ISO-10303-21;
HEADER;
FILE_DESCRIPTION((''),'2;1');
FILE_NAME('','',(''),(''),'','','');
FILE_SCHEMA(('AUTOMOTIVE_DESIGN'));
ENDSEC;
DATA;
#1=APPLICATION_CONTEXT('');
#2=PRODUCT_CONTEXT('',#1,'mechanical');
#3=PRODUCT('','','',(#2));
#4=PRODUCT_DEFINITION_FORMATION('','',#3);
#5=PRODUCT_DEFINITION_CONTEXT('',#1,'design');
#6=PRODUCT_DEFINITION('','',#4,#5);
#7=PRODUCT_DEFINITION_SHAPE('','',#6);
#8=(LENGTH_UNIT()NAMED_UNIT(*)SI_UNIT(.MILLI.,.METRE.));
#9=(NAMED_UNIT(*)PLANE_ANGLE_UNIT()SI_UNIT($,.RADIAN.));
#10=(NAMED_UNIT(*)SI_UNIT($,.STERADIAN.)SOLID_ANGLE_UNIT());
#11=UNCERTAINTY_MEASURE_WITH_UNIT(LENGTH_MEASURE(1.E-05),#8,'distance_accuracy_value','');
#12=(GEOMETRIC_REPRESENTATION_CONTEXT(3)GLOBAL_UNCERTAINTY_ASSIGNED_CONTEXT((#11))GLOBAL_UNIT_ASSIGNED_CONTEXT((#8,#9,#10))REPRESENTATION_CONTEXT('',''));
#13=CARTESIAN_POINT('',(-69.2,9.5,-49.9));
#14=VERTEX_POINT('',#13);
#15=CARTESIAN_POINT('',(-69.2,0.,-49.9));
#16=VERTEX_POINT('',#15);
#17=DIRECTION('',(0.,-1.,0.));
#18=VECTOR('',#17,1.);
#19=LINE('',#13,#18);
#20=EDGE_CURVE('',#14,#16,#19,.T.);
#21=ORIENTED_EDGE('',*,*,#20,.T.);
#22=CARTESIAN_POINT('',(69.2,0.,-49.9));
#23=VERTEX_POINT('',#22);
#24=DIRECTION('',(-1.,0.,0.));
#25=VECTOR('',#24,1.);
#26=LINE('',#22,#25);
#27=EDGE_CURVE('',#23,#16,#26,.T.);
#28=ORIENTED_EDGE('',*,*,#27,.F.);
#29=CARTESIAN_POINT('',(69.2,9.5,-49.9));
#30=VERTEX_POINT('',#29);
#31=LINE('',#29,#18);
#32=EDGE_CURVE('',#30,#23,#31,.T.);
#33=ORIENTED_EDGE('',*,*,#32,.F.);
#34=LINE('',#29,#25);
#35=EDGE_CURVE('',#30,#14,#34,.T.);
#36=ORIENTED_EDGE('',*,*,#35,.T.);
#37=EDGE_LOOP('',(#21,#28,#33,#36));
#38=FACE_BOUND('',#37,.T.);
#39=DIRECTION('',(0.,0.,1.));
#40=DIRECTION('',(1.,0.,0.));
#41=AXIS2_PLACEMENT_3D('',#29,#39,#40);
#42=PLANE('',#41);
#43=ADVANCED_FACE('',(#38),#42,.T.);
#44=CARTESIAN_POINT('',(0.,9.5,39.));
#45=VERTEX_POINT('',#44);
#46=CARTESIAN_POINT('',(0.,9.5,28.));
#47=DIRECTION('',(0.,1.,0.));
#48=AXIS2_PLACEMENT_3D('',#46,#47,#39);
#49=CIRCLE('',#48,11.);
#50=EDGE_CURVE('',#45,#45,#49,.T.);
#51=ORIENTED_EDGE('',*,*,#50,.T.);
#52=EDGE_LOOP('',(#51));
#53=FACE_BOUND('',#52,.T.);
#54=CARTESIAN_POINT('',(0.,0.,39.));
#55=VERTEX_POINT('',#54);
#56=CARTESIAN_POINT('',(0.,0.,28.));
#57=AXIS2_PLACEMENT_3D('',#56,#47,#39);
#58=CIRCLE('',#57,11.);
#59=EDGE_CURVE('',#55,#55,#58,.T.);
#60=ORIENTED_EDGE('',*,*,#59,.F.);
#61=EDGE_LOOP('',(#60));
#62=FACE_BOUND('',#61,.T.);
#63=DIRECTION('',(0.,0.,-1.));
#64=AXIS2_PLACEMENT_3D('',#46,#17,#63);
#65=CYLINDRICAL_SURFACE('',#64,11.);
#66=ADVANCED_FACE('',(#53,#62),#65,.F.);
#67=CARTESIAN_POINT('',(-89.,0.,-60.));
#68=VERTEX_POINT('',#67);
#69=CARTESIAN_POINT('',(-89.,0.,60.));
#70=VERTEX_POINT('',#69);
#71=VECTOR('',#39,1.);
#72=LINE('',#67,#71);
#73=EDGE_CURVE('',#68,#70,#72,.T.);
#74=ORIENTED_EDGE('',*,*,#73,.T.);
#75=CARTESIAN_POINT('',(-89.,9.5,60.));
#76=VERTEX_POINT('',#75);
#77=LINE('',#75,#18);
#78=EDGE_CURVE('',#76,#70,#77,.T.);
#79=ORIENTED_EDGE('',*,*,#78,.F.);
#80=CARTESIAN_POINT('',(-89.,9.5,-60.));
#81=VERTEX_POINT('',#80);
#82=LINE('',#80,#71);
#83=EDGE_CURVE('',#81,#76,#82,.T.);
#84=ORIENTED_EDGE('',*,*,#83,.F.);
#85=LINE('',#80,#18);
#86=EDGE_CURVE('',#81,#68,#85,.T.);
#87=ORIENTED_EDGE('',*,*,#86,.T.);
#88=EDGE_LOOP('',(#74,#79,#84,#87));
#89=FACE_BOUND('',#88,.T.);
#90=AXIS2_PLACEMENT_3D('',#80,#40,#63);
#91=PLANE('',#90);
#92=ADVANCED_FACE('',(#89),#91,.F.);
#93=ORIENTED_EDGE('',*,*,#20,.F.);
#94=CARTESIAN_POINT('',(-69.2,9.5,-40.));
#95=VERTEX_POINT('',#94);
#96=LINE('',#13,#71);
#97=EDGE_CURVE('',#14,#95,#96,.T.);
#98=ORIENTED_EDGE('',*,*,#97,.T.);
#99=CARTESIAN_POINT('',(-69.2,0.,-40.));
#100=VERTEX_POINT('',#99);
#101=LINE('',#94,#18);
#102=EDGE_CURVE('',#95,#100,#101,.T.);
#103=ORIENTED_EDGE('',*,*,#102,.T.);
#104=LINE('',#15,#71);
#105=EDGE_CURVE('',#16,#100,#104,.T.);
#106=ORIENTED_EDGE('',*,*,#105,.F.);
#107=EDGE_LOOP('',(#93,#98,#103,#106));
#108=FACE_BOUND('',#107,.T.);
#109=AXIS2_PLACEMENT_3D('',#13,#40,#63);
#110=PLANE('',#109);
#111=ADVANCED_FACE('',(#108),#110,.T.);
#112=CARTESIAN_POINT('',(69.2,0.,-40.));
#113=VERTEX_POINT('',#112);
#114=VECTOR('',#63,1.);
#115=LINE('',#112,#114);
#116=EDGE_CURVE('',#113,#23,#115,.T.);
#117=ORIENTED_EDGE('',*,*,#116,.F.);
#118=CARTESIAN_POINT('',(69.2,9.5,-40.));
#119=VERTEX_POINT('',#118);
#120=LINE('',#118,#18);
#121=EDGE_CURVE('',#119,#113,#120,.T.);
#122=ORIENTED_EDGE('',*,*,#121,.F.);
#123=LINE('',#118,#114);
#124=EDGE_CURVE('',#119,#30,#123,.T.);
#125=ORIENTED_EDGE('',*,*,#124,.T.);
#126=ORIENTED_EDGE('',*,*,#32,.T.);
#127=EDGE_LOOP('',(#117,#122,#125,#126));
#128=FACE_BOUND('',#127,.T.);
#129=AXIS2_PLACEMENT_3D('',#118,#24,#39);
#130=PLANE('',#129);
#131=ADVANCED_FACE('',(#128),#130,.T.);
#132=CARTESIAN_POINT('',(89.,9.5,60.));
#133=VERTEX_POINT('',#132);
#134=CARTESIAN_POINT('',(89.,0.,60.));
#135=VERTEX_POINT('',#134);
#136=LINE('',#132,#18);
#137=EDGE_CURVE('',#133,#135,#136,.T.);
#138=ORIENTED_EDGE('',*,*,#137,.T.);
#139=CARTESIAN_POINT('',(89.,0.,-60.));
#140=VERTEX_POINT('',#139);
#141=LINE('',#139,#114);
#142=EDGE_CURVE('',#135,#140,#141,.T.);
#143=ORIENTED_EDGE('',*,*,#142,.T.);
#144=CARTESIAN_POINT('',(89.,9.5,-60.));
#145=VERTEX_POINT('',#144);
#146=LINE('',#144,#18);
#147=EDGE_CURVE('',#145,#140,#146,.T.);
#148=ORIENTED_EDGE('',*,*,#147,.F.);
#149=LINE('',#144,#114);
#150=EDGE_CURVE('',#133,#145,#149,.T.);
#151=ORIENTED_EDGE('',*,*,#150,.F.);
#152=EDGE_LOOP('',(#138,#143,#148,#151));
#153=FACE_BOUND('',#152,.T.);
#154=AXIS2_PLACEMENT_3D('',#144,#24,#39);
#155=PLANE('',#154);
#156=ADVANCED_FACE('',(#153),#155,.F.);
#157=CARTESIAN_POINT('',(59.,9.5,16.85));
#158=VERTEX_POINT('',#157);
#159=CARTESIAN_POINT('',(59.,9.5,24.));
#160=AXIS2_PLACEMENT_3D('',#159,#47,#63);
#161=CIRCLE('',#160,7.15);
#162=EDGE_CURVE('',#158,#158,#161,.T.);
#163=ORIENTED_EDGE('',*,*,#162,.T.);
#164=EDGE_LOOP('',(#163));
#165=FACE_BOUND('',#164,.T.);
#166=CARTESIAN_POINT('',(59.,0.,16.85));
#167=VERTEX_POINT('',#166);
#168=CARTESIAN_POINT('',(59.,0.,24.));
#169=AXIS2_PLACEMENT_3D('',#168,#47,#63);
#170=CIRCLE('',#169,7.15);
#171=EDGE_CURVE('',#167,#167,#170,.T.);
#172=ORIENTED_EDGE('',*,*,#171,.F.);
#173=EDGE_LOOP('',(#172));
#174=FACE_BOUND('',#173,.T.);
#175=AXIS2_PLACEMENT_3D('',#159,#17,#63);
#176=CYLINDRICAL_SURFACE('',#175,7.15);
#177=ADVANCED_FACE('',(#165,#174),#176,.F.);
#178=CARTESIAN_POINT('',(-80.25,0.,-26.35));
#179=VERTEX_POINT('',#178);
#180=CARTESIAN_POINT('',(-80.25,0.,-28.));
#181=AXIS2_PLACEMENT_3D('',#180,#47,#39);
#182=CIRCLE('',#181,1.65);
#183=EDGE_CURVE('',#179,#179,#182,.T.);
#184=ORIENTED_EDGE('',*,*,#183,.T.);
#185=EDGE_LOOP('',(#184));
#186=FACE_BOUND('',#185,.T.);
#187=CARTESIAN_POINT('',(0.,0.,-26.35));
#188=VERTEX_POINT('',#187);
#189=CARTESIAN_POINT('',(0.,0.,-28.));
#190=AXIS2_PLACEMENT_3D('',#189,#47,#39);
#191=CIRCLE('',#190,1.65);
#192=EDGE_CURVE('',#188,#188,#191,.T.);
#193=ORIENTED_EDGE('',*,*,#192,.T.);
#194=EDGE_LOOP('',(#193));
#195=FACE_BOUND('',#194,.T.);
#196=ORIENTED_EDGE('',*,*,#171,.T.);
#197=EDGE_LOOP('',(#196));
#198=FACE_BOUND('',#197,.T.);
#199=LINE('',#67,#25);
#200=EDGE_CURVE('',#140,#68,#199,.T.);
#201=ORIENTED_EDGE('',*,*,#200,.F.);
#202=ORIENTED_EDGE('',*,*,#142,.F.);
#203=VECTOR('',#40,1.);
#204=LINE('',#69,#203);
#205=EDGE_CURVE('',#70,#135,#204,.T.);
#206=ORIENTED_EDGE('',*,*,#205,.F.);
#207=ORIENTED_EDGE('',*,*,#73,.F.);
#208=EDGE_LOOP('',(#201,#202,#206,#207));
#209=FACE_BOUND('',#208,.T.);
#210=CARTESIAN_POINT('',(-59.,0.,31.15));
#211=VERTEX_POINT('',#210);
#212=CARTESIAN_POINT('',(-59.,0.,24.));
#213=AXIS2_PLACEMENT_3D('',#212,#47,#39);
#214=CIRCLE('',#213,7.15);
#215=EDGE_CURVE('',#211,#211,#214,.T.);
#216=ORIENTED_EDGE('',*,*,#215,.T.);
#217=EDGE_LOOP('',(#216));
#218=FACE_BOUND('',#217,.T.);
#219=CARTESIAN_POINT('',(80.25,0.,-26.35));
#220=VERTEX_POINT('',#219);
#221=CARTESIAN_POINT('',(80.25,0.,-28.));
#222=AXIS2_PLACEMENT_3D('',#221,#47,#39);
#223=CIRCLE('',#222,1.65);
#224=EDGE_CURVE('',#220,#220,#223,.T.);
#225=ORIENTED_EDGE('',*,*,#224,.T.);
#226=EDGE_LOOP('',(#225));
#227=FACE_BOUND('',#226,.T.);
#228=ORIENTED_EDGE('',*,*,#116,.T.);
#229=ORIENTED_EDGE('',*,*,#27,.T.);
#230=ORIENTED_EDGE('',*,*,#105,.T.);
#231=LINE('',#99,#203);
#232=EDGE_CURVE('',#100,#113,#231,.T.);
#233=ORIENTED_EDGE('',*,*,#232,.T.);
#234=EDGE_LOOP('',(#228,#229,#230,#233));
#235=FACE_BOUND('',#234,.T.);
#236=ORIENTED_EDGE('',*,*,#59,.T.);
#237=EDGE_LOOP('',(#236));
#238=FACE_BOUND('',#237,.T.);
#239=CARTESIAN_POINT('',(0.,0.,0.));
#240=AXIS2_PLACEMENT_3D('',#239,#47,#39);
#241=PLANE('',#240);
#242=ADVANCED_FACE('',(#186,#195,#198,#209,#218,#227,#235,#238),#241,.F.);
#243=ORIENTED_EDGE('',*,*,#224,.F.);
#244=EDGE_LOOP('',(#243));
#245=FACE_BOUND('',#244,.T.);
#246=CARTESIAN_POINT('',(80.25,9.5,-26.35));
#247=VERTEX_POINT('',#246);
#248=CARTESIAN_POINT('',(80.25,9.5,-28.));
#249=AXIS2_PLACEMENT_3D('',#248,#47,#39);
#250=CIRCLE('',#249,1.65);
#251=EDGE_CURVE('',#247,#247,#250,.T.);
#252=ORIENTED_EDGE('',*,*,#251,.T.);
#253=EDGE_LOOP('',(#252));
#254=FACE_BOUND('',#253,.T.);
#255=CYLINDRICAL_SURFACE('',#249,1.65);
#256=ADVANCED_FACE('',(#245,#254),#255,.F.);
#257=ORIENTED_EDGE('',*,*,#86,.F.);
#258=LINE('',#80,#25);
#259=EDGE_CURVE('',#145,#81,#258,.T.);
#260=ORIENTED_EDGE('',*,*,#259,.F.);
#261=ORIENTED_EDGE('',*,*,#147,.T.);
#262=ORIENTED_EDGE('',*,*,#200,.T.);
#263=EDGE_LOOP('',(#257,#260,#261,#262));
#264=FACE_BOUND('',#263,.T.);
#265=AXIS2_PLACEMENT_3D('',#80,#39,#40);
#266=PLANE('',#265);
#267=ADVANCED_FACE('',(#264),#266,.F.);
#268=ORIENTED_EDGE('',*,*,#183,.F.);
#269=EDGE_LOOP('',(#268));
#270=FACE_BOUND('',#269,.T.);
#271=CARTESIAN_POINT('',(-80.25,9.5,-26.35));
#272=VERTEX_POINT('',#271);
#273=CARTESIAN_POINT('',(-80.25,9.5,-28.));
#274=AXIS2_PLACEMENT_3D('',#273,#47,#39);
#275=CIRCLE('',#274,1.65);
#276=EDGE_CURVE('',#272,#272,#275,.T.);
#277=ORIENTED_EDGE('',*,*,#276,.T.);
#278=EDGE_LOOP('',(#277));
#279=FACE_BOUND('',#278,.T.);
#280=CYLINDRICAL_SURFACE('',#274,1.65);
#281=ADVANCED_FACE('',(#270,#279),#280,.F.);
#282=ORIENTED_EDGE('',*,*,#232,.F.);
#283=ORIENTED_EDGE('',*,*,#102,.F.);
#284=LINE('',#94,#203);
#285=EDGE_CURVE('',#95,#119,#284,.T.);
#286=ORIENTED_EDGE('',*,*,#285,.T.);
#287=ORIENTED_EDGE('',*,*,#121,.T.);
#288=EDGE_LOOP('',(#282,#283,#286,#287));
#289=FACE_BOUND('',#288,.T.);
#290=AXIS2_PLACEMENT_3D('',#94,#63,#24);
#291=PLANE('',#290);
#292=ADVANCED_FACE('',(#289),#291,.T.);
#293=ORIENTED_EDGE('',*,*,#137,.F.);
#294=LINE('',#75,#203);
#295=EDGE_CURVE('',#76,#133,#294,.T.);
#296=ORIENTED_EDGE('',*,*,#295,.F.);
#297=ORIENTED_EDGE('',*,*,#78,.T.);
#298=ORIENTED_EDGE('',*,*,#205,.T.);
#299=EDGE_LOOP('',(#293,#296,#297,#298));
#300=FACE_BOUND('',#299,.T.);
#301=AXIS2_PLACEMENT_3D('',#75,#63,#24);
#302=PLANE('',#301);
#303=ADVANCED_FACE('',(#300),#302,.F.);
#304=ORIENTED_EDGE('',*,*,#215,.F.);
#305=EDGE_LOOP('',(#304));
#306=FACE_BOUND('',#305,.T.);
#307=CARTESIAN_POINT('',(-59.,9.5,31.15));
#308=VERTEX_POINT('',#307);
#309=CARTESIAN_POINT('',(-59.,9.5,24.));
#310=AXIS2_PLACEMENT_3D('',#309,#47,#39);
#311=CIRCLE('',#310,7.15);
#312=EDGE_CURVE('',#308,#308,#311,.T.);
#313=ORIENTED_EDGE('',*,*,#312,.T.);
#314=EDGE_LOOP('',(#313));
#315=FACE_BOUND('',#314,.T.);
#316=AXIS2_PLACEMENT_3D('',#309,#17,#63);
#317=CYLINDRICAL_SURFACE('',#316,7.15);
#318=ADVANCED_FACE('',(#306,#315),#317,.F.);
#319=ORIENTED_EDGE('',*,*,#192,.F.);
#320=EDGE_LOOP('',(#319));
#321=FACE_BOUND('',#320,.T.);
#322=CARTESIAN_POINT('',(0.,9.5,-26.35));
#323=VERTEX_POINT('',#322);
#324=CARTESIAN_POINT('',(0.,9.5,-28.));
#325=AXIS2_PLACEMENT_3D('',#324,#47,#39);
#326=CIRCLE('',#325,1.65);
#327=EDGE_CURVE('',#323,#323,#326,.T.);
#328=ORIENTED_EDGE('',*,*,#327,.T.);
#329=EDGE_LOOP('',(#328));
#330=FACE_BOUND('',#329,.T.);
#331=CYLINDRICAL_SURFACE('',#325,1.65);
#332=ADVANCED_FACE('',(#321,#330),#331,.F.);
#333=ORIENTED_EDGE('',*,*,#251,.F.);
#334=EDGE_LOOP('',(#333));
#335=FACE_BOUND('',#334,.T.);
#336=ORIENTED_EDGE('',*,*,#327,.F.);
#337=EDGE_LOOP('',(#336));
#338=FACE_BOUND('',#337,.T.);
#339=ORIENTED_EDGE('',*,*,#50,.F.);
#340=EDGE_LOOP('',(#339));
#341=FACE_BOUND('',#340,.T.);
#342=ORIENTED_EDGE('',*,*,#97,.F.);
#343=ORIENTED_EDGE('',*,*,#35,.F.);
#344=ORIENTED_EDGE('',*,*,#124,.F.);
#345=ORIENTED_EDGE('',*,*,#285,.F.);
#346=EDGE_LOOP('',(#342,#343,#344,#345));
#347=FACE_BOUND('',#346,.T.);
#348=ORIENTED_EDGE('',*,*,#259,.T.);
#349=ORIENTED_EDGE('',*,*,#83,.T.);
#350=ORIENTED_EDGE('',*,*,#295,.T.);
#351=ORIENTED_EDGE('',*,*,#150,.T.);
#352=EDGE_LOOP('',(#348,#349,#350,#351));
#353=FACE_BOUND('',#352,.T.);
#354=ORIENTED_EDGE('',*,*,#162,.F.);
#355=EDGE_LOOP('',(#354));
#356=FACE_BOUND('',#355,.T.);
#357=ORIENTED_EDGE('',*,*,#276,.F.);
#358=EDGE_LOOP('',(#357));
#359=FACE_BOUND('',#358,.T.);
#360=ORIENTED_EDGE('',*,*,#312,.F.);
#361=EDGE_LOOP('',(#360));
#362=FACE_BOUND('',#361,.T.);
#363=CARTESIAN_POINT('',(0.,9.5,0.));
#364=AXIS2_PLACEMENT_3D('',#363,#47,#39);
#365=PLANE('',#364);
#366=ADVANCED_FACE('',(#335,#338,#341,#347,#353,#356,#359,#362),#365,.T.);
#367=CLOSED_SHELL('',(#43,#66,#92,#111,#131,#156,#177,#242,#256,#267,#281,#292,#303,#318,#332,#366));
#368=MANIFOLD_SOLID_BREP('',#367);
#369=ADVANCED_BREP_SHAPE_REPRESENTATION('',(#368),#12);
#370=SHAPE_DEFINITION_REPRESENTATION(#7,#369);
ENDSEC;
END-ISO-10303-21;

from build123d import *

# Parameters (mm, degrees)
SKETCH1_W           = 178
SKETCH1_H           = 120
SKETCH1_R           = 11
SKETCH1_R_2         = 7.15
SKETCH1_W_2         = 138.4
SKETCH1_H_2         = 9.9
BOSS_EXTRUDE1_DEPTH = 9.5
M4_TAPPED_HOLE1_D   = 3.3


with BuildPart() as part:
    # Sketch1 → Boss-Extrude1 (new body)
    with BuildSketch(Plane(origin=(0, 0, 0), x_dir=(1, 0, 0), z_dir=(0, 1, 0))):
        Rectangle(SKETCH1_W, SKETCH1_H)
        with Locations((0, -28)):
            Circle(SKETCH1_R, mode=Mode.SUBTRACT)
        with Locations((-59, -24)):
            Circle(SKETCH1_R_2, mode=Mode.SUBTRACT)
        with Locations((59, -24)):
            Circle(SKETCH1_R_2, mode=Mode.SUBTRACT)
        with Locations((0, 44.95)):
            Rectangle(SKETCH1_W_2, SKETCH1_H_2, mode=Mode.SUBTRACT)
    extrude(amount=BOSS_EXTRUDE1_DEPTH)

    # M4 Tapped Hole1 (through all)
    with Locations(Plane(origin=(0, 9.5, 0), x_dir=(1, 0, 0), z_dir=(0, 1, 0))):
        with Locations((-80.25, 28), (0, 28), (80.25, 28)):
            Hole(M4_TAPPED_HOLE1_D / 2)


solid = part.part
